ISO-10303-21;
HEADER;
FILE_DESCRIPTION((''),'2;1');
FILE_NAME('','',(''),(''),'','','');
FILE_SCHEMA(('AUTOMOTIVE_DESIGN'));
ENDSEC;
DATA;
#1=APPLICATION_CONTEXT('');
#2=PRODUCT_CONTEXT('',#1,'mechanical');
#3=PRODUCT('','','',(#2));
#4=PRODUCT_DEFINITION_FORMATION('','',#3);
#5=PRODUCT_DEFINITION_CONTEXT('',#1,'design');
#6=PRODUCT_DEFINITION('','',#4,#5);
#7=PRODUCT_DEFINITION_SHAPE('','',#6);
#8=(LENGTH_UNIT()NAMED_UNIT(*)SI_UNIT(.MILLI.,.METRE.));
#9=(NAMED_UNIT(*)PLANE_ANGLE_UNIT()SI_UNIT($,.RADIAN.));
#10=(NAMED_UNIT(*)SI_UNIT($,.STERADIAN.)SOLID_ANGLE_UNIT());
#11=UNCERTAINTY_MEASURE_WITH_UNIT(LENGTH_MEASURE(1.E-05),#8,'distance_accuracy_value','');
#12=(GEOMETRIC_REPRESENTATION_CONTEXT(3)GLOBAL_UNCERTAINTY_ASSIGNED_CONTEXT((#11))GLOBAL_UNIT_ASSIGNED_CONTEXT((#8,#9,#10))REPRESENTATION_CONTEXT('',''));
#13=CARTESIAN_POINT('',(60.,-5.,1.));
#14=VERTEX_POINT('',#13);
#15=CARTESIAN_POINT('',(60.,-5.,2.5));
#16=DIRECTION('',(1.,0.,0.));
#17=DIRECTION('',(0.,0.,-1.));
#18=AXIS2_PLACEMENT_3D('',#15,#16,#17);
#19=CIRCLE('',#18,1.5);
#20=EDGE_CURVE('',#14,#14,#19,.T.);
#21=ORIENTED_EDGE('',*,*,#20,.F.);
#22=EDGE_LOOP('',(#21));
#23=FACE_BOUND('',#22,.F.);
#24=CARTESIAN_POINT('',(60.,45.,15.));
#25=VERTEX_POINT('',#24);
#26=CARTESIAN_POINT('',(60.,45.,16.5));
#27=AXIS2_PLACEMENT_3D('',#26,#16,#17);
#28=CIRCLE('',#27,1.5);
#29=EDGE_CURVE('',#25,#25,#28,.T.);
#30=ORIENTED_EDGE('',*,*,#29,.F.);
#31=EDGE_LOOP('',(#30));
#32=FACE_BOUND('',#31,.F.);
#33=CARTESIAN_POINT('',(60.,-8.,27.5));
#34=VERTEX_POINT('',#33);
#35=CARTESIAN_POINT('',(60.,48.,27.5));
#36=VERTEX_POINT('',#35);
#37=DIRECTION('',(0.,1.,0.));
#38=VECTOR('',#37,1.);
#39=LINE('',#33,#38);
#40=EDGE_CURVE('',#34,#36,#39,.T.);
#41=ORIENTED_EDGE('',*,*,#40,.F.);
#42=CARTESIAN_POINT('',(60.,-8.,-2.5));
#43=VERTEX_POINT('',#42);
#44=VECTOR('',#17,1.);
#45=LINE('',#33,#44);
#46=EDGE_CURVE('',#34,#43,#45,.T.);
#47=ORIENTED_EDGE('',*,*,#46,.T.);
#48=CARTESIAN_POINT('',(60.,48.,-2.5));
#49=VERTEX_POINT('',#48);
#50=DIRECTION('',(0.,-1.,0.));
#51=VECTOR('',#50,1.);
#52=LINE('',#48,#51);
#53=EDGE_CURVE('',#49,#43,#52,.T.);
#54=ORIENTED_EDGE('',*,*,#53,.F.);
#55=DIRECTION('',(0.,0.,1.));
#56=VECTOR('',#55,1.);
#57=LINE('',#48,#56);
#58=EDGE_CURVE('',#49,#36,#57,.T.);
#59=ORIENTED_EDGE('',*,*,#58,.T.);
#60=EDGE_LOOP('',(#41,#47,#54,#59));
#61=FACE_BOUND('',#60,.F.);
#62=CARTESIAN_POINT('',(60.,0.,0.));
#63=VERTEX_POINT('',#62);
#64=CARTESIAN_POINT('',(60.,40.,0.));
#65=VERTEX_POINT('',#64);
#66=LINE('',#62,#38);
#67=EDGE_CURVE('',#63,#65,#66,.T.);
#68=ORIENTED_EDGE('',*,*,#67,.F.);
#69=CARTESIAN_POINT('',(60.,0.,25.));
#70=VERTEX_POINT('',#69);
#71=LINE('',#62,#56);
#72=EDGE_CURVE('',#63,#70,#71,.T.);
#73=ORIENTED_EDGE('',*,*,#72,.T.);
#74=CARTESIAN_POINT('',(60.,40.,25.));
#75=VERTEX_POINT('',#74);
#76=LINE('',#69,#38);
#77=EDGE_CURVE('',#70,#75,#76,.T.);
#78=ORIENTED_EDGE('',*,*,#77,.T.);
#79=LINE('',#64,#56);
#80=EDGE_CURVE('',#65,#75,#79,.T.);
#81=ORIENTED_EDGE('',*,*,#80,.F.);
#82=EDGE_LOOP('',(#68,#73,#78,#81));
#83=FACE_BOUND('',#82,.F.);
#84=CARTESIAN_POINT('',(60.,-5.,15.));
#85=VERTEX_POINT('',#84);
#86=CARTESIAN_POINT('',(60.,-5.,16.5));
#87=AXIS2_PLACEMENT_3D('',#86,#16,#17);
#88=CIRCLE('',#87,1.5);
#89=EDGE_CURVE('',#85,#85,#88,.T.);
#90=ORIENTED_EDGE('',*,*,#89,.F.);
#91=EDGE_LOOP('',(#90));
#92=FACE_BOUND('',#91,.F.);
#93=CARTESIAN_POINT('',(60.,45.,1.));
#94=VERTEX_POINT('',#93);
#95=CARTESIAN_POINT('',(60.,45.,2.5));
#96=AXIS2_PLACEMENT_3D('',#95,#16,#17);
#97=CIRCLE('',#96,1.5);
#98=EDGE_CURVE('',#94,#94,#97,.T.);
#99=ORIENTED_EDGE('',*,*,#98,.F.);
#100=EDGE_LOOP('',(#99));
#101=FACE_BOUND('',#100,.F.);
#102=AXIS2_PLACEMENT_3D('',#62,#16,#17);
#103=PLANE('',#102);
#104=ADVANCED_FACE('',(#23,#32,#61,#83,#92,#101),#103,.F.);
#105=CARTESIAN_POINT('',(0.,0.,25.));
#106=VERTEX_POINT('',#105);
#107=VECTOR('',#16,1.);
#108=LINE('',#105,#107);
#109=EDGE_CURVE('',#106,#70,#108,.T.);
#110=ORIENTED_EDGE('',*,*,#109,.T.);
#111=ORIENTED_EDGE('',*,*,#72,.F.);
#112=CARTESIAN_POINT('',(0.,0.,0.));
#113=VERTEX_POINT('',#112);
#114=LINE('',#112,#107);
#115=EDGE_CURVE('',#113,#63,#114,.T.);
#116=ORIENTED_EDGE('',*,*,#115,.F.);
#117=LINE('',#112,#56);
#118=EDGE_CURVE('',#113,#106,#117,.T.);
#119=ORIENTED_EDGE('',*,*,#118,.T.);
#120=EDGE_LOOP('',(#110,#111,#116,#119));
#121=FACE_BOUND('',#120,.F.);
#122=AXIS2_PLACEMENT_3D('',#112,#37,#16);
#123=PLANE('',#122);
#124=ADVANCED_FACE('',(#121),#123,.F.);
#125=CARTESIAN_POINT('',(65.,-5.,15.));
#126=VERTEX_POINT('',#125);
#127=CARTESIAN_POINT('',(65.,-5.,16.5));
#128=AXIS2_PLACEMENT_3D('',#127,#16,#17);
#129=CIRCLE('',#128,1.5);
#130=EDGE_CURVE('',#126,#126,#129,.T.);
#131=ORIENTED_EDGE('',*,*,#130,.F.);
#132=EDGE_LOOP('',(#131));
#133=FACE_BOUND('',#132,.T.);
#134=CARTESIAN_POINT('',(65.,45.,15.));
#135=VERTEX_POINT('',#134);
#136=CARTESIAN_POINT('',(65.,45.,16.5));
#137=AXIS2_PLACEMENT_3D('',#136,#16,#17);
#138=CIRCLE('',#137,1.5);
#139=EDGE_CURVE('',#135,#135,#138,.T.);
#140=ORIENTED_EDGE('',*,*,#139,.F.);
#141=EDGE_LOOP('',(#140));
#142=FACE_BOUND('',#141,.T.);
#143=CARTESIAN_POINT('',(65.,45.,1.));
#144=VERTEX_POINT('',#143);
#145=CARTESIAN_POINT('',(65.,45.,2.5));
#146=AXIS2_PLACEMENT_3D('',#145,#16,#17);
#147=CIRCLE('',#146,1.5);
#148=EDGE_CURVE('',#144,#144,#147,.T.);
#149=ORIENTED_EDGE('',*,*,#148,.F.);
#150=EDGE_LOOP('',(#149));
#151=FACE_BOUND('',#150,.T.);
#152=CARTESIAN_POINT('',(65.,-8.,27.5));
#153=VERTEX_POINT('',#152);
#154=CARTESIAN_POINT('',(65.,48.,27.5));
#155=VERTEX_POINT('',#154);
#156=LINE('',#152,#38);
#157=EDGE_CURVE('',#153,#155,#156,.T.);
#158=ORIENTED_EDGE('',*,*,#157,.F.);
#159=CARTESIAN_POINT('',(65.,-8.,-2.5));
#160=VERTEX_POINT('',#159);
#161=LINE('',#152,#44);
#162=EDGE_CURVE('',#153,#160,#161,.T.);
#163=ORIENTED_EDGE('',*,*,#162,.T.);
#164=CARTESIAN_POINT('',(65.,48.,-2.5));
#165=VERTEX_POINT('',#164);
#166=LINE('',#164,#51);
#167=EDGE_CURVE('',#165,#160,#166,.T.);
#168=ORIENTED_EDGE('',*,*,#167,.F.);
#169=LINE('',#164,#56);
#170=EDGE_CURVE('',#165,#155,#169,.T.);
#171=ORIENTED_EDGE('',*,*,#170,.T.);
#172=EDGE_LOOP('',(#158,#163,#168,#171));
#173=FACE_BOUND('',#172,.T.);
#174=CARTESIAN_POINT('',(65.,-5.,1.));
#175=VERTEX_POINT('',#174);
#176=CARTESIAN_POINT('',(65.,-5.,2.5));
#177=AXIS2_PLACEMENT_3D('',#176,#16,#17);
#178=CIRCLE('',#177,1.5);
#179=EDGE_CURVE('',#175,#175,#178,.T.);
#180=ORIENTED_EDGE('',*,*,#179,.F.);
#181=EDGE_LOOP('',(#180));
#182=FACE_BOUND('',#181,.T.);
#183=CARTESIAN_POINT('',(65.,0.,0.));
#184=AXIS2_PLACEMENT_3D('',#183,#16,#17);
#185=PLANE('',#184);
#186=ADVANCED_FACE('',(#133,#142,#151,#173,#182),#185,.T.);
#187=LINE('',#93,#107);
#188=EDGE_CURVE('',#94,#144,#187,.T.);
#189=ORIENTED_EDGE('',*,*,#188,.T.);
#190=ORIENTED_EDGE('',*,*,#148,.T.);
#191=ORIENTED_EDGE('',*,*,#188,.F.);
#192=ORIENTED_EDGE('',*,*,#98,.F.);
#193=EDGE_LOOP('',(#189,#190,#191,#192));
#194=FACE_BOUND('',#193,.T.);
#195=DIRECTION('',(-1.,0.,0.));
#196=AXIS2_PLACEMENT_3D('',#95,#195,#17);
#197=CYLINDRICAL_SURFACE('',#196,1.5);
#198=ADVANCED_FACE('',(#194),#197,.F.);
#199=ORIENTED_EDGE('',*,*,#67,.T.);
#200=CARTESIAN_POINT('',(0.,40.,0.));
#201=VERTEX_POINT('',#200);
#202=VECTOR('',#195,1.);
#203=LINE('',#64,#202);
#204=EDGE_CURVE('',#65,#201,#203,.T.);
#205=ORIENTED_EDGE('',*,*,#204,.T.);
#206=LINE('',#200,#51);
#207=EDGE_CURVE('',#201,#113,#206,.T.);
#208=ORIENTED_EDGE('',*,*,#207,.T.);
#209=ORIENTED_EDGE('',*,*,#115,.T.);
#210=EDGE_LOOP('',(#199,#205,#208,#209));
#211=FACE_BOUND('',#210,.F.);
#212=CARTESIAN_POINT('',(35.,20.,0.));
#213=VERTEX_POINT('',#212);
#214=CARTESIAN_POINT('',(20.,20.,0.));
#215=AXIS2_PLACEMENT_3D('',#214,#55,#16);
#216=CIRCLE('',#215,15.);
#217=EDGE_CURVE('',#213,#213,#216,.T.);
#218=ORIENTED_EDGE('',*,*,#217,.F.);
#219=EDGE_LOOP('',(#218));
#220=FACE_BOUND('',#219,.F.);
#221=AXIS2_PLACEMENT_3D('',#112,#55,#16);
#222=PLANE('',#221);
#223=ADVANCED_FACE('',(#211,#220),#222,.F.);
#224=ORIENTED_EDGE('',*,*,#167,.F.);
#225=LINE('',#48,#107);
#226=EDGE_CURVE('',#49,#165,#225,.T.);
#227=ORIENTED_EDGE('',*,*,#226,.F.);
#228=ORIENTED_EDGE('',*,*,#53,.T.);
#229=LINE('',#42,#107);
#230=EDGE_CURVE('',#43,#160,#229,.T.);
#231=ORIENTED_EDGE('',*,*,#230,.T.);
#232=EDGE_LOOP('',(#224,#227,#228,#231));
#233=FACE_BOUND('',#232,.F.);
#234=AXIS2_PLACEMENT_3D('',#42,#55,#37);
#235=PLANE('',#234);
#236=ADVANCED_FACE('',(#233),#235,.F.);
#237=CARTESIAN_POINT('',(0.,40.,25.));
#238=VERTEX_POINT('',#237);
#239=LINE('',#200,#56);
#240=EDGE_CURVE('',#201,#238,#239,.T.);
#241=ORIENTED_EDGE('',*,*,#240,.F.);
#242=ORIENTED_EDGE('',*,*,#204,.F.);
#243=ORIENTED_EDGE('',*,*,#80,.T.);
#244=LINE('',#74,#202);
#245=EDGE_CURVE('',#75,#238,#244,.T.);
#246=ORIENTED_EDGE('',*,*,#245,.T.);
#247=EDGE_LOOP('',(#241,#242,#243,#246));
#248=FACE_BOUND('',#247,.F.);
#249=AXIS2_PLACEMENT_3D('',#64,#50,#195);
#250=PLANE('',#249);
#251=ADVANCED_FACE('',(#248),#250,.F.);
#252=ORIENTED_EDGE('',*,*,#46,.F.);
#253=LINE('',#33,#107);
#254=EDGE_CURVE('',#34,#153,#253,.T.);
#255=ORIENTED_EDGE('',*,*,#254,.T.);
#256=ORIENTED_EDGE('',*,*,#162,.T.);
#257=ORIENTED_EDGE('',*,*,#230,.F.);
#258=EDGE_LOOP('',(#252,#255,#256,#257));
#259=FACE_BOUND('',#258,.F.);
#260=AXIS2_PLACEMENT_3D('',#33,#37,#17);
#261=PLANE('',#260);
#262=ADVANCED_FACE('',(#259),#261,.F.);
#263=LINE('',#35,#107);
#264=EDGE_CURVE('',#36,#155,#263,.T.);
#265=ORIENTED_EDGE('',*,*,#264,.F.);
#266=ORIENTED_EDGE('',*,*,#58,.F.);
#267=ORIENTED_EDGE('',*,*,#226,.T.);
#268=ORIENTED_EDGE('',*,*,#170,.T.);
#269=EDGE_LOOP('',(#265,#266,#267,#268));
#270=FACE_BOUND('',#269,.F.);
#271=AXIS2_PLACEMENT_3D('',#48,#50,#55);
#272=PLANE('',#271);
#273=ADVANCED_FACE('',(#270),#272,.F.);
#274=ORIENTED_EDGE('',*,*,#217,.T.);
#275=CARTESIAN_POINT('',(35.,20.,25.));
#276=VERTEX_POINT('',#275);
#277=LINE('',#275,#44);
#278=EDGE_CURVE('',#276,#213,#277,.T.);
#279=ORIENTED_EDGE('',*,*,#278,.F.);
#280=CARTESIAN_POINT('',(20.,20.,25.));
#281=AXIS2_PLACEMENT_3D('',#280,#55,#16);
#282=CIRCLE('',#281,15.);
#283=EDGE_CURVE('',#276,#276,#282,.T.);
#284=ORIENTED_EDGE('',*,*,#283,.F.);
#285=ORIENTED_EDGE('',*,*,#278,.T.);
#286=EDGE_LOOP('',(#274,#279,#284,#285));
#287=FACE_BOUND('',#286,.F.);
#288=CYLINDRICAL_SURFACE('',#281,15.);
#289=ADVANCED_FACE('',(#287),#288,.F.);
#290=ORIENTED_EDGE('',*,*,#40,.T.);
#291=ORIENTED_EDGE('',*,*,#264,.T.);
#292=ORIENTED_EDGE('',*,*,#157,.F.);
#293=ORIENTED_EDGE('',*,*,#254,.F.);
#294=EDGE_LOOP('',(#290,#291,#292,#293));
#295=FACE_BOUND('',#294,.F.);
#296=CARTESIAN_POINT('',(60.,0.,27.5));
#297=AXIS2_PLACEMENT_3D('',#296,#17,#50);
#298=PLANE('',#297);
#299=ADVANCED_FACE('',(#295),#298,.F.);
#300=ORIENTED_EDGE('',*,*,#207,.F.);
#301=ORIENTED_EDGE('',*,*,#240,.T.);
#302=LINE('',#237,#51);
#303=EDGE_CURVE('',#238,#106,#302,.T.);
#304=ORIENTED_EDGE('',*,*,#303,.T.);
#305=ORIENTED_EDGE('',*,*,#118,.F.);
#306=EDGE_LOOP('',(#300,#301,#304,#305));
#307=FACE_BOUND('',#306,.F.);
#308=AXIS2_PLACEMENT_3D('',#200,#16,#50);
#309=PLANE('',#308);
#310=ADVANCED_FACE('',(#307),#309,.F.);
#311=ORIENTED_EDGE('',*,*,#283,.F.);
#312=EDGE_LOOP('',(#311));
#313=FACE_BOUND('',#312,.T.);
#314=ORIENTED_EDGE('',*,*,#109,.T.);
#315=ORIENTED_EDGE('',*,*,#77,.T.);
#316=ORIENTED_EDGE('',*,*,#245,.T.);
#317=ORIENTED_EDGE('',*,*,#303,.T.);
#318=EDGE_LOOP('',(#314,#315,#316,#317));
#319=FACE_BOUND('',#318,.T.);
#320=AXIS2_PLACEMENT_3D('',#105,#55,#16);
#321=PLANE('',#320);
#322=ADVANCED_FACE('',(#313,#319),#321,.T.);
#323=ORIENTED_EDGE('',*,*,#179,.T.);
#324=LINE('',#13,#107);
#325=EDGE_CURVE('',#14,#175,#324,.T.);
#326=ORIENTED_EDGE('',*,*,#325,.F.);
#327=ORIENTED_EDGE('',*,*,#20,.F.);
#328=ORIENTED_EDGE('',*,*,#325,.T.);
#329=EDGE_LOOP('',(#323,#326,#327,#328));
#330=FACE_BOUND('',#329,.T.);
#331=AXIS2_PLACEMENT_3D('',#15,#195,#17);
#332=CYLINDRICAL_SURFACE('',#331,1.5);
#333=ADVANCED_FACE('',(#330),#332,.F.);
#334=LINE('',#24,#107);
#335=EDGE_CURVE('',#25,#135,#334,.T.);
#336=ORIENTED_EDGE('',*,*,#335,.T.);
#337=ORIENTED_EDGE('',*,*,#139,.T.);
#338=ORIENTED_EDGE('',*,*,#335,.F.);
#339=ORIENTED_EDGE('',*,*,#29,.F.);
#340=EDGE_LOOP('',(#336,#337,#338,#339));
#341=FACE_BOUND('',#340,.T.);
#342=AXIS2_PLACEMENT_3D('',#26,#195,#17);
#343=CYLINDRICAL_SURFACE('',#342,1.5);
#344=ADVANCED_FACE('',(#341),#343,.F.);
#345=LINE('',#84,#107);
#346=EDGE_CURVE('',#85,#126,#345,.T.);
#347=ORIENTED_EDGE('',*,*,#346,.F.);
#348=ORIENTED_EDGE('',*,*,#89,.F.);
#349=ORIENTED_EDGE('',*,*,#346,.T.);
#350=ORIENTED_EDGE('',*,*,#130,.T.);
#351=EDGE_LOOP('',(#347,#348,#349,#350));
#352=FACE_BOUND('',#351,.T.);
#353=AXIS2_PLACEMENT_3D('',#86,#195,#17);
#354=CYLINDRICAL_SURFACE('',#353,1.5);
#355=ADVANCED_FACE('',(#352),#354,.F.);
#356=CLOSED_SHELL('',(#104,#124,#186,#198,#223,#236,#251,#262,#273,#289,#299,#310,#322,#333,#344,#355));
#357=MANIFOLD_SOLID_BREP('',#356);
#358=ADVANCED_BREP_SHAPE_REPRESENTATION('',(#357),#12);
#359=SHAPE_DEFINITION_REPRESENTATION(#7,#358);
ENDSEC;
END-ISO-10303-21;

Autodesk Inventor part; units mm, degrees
ref_plane "YZ Plane" through (0, 0, 0) normal (1, 0, 0) x (0, 1, 0)
sketch "스케치1" plane through (0, 0, 0) normal (0, 0, 1) x (1, 0, 0)
  line L0 (0, 0) -> (60, 0)
  line L1 (60, 0) -> (60, 40)
  line L2 (60, 40) -> (0, 40)
  line L3 (0, 40) -> (0, 0)
  dimension "d0" = 40
  dimension "d1" = 60
extrude "돌출1" add sketch "스케치1" along normal blind 25
sketch "스케치2" plane through (0, 0, 25) normal (0, 0, 1) x (1, 0, 0)
  line L0 (60, 0) -> (60, 40) projected
  line L1 (60, 40) -> (0, 40) projected
  line L2 (0, 40) -> (0, 0) projected
  line L3 (0, 0) -> (60, 0) projected
  circle A0 centre (20, 20) radius 15
  point P0 (0, 20)
  dimension "d4" = 30
  dimension "d5" = 20
extrude "돌출2" cut sketch "스케치2" against normal through all contours A0
ref_plane "작업 평면1" through (0, 0, 12.5) normal (0, 0, 1) x (1, 0, 0)
ref_plane "작업 평면2" through (0, 20, 0) normal (0, -1, 0) x (1, 0, 0)
sketch "스케치3" plane through (60, 0, 0) normal (1, 0, 0) x (0, 0, -1)
  line L0 (0, 0) -> (0, 40) projected
  line L1 (0, 40) -> (-25, 40) projected
  line L2 (-25, 0) -> (-25, 40) projected
  line L3 (0, 0) -> (-25, 0) projected
  line L4 (-27.5, 0) -> (2.5, 0)
  line L5 (2.5, 0) -> (2.5, 40)
  line L6 (2.5, 40) -> (-27.5, 40)
  line L7 (-27.5, 40) -> (-27.5, 0)
  line L8 (-27.5, -8) -> (2.5, -8)
  line L9 (2.5, -8) -> (2.5, 48)
  line L10 (2.5, 48) -> (-27.5, 48)
  line L11 (-27.5, 48) -> (-27.5, -8)
  circle A0 centre (-16.5, -5) radius 1.5
  circle A1 centre (-2.5, -5) radius 1.5
  circle A2 centre (-16.5, 45) radius 1.5
  circle A3 centre (-2.5, 45) radius 1.5
  point P0 (0, 0)
  point P1 (-12.5, 0)
  point P2 (-12.5, 0)
  point P3 (-27.5, 20)
  point P4 (-25, 20)
  point P5 (-27.5, 0)
  point P6 (2.5, 0)
  dimension "d8" = 40
  dimension "d9" = 30
  dimension "d10" = 8
  dimension "d11" = 8
  dimension "d12" = 30
  dimension "d13" = 3
  dimension "d14" = 3
  dimension "d15" = 3
  dimension "d16" = 3
  dimension "d17" = 5
  dimension "d18" = 5
  dimension "d19" = 14
  dimension "d20" = 5
extrude "돌출3" add sketch "스케치3" along normal blind 5
properties part number "다리-0"
